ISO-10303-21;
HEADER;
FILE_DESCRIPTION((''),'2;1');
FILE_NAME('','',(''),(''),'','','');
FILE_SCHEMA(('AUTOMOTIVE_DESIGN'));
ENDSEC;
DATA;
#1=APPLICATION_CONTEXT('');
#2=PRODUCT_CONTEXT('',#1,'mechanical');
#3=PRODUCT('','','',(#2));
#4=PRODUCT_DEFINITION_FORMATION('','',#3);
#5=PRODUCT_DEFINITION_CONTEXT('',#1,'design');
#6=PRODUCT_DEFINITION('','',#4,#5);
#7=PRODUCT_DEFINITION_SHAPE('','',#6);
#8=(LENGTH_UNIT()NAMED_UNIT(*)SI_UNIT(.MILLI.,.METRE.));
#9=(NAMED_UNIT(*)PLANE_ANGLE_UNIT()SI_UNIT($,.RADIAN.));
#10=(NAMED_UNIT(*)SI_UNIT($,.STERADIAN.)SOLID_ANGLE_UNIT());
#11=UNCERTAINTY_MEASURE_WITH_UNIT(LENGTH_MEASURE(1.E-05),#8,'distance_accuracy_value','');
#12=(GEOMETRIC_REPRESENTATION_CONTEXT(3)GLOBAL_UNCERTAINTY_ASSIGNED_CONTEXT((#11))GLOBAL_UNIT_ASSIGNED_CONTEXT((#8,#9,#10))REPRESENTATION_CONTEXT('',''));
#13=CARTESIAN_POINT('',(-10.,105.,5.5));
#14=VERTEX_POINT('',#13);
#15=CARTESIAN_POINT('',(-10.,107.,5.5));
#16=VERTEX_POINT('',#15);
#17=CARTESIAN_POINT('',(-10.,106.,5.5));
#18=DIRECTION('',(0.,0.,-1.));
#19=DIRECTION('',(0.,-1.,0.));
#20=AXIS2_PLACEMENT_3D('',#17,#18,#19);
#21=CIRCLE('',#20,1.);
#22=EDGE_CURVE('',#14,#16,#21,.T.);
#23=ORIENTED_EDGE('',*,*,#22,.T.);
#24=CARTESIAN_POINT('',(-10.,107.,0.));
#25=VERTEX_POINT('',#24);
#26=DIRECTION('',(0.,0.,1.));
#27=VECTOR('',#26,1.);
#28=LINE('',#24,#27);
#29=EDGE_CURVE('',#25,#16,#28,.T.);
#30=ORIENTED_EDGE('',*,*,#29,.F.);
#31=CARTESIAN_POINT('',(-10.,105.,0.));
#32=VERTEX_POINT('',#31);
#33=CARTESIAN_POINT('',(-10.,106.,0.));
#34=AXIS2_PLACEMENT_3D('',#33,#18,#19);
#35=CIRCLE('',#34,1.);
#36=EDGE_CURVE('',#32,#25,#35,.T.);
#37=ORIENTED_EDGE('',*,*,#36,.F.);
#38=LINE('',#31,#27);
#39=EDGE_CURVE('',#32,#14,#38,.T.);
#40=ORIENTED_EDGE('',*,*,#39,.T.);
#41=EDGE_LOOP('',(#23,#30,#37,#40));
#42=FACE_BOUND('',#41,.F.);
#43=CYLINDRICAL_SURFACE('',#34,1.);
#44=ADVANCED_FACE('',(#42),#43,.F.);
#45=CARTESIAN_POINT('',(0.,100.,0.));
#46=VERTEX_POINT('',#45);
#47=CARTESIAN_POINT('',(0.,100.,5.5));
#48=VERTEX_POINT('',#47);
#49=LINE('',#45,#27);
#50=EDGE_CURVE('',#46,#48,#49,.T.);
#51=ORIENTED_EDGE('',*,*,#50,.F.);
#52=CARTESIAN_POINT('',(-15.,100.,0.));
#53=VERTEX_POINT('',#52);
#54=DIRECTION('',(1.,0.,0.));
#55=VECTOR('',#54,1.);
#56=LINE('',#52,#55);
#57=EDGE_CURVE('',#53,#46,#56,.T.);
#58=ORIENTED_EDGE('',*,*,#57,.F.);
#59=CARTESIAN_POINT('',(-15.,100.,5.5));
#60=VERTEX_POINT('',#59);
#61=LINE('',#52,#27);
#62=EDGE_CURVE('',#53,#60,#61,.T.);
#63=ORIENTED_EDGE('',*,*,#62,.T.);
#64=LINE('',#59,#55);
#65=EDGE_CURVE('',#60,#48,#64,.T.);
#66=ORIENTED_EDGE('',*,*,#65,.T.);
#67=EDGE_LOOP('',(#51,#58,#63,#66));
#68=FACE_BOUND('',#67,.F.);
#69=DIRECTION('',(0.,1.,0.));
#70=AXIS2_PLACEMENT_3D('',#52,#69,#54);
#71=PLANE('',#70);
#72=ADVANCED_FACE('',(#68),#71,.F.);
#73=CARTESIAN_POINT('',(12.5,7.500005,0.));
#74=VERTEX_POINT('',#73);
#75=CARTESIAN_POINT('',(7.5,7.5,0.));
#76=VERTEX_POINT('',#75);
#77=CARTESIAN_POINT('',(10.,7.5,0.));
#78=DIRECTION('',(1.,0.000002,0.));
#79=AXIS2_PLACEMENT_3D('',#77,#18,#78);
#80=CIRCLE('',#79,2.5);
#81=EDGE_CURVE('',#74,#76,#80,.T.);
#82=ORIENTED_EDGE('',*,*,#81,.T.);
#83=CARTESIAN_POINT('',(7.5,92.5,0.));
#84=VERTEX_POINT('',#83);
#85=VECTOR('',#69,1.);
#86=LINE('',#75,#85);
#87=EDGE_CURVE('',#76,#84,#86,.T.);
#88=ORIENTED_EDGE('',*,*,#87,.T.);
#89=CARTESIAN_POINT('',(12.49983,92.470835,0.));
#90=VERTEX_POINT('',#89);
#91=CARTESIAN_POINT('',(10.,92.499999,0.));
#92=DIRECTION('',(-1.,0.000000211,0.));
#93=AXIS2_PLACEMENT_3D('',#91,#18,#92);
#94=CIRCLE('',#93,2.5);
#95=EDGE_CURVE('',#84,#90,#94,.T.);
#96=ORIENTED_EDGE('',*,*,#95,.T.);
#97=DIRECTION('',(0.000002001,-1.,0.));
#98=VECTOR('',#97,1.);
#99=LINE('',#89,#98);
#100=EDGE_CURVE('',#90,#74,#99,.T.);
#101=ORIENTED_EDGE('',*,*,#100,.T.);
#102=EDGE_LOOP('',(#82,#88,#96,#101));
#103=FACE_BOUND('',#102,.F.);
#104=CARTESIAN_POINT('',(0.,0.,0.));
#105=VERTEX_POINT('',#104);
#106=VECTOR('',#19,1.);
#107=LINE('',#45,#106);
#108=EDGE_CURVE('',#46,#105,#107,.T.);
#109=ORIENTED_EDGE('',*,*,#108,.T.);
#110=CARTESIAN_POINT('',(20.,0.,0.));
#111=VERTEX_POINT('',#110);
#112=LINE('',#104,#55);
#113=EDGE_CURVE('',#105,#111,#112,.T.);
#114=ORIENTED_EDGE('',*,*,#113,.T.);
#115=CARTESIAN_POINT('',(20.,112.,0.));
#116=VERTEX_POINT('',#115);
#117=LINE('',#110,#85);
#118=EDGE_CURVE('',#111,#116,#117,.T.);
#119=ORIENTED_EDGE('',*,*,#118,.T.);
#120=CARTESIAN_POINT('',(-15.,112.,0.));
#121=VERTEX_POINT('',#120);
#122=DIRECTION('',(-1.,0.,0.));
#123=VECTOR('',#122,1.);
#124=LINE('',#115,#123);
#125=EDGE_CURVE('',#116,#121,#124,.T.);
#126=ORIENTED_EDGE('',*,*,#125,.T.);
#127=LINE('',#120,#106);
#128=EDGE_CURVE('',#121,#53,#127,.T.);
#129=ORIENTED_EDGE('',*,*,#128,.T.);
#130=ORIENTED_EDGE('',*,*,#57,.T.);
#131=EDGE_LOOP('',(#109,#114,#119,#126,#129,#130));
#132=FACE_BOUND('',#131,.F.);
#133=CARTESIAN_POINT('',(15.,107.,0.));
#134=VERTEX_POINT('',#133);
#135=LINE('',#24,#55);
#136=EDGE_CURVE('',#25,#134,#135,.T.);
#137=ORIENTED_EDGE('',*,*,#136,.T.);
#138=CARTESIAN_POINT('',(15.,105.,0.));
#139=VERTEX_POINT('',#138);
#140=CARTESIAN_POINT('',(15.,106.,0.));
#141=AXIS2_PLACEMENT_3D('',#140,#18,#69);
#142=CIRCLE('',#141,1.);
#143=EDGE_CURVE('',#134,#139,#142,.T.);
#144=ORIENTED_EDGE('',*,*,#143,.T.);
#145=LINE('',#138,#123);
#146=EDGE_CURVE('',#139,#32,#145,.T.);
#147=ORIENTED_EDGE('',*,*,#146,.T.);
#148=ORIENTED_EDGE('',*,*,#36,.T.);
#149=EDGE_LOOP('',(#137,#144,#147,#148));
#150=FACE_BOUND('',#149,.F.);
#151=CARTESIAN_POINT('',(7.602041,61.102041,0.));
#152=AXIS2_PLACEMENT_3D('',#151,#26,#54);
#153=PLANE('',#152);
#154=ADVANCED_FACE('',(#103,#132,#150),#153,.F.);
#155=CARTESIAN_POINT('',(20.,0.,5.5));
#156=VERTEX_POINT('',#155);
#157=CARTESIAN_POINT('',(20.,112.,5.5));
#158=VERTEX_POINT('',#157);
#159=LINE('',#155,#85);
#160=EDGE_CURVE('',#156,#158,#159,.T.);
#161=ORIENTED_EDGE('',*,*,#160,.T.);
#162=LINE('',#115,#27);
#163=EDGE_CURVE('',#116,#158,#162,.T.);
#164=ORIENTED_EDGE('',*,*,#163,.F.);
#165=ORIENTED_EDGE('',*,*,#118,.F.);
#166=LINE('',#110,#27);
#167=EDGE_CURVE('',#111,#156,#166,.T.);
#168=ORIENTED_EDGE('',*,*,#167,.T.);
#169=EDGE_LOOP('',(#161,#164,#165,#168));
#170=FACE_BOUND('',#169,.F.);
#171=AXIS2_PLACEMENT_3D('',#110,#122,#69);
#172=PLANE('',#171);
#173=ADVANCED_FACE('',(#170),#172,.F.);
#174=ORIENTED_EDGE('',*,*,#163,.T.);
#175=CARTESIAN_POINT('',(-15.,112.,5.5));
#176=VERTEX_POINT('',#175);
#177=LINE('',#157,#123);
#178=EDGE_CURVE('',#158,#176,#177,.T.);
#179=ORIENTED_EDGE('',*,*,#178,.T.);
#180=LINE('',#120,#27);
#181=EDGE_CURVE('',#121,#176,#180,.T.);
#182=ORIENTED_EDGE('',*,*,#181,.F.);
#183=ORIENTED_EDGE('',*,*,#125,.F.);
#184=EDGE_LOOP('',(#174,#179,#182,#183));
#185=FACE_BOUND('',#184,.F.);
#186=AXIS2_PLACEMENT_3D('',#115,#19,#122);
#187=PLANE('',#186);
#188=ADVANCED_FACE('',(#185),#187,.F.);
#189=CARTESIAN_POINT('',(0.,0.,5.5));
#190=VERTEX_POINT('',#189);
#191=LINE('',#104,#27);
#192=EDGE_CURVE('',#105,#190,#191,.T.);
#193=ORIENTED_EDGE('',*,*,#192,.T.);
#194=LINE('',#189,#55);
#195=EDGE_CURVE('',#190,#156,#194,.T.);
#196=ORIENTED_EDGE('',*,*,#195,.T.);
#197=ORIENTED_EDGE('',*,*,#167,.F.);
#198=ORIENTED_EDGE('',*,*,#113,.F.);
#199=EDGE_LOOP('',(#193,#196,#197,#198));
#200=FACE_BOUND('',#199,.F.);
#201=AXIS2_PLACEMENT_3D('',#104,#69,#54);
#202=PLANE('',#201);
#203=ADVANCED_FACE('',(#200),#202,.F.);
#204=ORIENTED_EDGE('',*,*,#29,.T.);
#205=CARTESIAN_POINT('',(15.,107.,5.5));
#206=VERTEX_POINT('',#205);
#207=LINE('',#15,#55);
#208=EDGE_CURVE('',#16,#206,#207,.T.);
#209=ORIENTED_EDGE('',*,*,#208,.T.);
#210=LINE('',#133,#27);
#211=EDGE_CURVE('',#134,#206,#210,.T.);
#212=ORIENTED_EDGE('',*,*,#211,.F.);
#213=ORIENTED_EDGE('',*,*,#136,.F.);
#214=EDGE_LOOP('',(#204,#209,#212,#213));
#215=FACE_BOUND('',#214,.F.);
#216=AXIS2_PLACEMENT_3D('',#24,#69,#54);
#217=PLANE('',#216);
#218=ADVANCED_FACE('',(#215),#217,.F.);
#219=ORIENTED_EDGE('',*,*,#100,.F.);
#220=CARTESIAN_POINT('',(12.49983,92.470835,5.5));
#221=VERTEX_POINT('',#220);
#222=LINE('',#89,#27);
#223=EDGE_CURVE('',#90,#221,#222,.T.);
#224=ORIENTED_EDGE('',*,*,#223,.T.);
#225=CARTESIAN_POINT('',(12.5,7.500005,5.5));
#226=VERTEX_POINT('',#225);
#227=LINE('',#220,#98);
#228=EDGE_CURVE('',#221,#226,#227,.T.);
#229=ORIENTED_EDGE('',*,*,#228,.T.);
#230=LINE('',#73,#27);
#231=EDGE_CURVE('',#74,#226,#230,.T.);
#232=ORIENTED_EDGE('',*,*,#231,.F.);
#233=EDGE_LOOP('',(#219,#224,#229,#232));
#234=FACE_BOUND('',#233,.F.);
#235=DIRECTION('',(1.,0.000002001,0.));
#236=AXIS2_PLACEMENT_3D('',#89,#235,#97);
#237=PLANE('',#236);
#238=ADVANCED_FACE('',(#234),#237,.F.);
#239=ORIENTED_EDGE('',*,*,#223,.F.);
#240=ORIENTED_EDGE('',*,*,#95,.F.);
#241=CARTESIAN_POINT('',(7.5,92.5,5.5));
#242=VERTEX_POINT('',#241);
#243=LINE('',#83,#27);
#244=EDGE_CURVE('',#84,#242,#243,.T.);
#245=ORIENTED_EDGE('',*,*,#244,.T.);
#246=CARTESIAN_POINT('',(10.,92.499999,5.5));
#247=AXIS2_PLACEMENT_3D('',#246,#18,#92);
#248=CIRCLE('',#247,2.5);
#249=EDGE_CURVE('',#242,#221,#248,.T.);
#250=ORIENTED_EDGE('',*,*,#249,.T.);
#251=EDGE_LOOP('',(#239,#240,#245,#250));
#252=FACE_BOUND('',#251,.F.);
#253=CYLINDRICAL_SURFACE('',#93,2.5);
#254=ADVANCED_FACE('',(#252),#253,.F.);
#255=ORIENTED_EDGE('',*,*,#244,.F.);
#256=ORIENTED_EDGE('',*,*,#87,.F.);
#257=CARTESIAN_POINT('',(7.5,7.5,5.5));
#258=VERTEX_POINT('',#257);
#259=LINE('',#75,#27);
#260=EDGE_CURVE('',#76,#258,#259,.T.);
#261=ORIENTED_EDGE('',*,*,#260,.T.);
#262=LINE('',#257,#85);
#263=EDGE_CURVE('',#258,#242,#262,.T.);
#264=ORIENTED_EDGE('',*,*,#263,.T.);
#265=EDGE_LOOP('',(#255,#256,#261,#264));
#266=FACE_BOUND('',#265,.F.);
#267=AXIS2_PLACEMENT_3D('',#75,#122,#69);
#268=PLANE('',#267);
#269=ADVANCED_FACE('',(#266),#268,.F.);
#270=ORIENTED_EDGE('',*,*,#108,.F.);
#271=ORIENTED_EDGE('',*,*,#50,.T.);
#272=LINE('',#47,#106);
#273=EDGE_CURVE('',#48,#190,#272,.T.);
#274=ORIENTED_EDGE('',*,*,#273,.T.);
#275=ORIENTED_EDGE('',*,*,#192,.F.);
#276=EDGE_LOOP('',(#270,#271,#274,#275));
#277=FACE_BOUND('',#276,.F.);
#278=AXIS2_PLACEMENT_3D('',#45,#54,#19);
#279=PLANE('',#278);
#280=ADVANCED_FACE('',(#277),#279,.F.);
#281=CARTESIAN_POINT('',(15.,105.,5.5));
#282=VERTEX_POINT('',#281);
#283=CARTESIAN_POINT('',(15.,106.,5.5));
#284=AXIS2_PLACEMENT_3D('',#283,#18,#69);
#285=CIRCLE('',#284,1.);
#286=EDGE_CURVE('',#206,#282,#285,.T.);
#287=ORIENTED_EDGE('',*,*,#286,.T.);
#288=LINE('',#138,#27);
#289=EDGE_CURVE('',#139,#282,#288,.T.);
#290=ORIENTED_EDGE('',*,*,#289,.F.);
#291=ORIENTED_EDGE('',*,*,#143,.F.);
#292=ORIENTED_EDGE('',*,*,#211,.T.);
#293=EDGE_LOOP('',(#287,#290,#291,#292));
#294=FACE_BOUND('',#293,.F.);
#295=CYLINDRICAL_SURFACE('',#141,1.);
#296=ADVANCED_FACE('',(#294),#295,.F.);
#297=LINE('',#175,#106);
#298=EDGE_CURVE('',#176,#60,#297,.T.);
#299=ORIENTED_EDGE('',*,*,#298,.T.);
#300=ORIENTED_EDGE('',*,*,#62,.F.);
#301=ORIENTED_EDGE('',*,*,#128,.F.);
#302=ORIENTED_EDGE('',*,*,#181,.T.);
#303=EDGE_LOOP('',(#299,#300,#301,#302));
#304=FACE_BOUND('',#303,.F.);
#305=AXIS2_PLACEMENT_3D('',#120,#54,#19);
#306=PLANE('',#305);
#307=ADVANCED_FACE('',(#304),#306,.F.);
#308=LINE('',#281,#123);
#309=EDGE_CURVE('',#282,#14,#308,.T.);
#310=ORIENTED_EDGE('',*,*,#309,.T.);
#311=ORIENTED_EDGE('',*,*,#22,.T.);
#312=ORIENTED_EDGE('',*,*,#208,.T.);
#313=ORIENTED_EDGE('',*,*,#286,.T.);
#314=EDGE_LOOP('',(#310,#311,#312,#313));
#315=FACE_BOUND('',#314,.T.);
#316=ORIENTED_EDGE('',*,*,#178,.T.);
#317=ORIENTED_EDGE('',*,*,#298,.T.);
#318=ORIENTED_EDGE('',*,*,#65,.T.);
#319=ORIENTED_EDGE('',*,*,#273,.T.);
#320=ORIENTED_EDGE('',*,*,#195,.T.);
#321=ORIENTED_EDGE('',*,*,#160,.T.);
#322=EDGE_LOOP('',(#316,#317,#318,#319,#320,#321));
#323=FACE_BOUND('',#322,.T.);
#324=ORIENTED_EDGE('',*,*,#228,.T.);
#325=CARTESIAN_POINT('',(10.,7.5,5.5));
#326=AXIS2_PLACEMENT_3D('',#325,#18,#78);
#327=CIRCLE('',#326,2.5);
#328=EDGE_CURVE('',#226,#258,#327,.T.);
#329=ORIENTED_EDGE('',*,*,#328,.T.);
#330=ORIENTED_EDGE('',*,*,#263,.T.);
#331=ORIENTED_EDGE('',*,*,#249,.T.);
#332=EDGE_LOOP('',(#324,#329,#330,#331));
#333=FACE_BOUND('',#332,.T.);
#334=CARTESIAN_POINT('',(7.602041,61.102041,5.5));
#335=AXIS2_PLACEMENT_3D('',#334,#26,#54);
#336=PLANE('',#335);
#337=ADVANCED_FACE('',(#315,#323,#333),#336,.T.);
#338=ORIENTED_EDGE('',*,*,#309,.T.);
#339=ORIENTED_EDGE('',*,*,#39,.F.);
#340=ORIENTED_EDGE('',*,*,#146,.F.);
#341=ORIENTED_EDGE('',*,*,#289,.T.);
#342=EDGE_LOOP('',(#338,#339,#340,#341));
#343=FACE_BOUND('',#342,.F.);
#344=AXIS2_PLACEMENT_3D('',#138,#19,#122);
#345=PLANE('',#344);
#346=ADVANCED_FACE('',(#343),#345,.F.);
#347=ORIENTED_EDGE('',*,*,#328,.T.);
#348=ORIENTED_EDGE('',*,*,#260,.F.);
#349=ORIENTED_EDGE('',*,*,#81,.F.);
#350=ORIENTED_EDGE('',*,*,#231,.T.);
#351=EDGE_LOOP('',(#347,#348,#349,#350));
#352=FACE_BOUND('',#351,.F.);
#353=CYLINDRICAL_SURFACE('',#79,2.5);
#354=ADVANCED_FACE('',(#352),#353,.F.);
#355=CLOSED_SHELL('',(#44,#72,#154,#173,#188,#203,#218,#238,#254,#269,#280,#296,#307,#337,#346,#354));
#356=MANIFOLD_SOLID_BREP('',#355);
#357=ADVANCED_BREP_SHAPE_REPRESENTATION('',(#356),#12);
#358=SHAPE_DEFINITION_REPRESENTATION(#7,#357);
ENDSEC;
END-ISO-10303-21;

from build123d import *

# Parameters (mm, degrees)
F1_DEPTH = 5.5


with BuildPart() as f1:
    # F0 (on Top) → F1 (new body)
    with BuildSketch(Plane.XY):
        Polygon((0, 100), (0, 0), (20, 0), (20, 112), (-15, 112), (-15, 100), align=None)
        with BuildLine():
            ThreePointArc((12.5, 7.500005), (10.000003, 5), (7.5, 7.5))
            Line((7.5, 7.5), (7.5, 92.5))
            ThreePointArc((7.5, 92.5), (10.014583, 94.999957), (12.49983, 92.470835))
            Line((12.49983, 92.470835), (12.5, 7.500005))
        make_face(mode=Mode.SUBTRACT)
        with BuildLine():
            ThreePointArc((15, 107), (16, 106), (15, 105))
            Line((15, 105), (-10, 105))
            ThreePointArc((-10, 105), (-11, 106), (-10, 107))
            Line((-10, 107), (15, 107))
        make_face(mode=Mode.SUBTRACT)
    extrude(amount=F1_DEPTH)


solid = f1.part
